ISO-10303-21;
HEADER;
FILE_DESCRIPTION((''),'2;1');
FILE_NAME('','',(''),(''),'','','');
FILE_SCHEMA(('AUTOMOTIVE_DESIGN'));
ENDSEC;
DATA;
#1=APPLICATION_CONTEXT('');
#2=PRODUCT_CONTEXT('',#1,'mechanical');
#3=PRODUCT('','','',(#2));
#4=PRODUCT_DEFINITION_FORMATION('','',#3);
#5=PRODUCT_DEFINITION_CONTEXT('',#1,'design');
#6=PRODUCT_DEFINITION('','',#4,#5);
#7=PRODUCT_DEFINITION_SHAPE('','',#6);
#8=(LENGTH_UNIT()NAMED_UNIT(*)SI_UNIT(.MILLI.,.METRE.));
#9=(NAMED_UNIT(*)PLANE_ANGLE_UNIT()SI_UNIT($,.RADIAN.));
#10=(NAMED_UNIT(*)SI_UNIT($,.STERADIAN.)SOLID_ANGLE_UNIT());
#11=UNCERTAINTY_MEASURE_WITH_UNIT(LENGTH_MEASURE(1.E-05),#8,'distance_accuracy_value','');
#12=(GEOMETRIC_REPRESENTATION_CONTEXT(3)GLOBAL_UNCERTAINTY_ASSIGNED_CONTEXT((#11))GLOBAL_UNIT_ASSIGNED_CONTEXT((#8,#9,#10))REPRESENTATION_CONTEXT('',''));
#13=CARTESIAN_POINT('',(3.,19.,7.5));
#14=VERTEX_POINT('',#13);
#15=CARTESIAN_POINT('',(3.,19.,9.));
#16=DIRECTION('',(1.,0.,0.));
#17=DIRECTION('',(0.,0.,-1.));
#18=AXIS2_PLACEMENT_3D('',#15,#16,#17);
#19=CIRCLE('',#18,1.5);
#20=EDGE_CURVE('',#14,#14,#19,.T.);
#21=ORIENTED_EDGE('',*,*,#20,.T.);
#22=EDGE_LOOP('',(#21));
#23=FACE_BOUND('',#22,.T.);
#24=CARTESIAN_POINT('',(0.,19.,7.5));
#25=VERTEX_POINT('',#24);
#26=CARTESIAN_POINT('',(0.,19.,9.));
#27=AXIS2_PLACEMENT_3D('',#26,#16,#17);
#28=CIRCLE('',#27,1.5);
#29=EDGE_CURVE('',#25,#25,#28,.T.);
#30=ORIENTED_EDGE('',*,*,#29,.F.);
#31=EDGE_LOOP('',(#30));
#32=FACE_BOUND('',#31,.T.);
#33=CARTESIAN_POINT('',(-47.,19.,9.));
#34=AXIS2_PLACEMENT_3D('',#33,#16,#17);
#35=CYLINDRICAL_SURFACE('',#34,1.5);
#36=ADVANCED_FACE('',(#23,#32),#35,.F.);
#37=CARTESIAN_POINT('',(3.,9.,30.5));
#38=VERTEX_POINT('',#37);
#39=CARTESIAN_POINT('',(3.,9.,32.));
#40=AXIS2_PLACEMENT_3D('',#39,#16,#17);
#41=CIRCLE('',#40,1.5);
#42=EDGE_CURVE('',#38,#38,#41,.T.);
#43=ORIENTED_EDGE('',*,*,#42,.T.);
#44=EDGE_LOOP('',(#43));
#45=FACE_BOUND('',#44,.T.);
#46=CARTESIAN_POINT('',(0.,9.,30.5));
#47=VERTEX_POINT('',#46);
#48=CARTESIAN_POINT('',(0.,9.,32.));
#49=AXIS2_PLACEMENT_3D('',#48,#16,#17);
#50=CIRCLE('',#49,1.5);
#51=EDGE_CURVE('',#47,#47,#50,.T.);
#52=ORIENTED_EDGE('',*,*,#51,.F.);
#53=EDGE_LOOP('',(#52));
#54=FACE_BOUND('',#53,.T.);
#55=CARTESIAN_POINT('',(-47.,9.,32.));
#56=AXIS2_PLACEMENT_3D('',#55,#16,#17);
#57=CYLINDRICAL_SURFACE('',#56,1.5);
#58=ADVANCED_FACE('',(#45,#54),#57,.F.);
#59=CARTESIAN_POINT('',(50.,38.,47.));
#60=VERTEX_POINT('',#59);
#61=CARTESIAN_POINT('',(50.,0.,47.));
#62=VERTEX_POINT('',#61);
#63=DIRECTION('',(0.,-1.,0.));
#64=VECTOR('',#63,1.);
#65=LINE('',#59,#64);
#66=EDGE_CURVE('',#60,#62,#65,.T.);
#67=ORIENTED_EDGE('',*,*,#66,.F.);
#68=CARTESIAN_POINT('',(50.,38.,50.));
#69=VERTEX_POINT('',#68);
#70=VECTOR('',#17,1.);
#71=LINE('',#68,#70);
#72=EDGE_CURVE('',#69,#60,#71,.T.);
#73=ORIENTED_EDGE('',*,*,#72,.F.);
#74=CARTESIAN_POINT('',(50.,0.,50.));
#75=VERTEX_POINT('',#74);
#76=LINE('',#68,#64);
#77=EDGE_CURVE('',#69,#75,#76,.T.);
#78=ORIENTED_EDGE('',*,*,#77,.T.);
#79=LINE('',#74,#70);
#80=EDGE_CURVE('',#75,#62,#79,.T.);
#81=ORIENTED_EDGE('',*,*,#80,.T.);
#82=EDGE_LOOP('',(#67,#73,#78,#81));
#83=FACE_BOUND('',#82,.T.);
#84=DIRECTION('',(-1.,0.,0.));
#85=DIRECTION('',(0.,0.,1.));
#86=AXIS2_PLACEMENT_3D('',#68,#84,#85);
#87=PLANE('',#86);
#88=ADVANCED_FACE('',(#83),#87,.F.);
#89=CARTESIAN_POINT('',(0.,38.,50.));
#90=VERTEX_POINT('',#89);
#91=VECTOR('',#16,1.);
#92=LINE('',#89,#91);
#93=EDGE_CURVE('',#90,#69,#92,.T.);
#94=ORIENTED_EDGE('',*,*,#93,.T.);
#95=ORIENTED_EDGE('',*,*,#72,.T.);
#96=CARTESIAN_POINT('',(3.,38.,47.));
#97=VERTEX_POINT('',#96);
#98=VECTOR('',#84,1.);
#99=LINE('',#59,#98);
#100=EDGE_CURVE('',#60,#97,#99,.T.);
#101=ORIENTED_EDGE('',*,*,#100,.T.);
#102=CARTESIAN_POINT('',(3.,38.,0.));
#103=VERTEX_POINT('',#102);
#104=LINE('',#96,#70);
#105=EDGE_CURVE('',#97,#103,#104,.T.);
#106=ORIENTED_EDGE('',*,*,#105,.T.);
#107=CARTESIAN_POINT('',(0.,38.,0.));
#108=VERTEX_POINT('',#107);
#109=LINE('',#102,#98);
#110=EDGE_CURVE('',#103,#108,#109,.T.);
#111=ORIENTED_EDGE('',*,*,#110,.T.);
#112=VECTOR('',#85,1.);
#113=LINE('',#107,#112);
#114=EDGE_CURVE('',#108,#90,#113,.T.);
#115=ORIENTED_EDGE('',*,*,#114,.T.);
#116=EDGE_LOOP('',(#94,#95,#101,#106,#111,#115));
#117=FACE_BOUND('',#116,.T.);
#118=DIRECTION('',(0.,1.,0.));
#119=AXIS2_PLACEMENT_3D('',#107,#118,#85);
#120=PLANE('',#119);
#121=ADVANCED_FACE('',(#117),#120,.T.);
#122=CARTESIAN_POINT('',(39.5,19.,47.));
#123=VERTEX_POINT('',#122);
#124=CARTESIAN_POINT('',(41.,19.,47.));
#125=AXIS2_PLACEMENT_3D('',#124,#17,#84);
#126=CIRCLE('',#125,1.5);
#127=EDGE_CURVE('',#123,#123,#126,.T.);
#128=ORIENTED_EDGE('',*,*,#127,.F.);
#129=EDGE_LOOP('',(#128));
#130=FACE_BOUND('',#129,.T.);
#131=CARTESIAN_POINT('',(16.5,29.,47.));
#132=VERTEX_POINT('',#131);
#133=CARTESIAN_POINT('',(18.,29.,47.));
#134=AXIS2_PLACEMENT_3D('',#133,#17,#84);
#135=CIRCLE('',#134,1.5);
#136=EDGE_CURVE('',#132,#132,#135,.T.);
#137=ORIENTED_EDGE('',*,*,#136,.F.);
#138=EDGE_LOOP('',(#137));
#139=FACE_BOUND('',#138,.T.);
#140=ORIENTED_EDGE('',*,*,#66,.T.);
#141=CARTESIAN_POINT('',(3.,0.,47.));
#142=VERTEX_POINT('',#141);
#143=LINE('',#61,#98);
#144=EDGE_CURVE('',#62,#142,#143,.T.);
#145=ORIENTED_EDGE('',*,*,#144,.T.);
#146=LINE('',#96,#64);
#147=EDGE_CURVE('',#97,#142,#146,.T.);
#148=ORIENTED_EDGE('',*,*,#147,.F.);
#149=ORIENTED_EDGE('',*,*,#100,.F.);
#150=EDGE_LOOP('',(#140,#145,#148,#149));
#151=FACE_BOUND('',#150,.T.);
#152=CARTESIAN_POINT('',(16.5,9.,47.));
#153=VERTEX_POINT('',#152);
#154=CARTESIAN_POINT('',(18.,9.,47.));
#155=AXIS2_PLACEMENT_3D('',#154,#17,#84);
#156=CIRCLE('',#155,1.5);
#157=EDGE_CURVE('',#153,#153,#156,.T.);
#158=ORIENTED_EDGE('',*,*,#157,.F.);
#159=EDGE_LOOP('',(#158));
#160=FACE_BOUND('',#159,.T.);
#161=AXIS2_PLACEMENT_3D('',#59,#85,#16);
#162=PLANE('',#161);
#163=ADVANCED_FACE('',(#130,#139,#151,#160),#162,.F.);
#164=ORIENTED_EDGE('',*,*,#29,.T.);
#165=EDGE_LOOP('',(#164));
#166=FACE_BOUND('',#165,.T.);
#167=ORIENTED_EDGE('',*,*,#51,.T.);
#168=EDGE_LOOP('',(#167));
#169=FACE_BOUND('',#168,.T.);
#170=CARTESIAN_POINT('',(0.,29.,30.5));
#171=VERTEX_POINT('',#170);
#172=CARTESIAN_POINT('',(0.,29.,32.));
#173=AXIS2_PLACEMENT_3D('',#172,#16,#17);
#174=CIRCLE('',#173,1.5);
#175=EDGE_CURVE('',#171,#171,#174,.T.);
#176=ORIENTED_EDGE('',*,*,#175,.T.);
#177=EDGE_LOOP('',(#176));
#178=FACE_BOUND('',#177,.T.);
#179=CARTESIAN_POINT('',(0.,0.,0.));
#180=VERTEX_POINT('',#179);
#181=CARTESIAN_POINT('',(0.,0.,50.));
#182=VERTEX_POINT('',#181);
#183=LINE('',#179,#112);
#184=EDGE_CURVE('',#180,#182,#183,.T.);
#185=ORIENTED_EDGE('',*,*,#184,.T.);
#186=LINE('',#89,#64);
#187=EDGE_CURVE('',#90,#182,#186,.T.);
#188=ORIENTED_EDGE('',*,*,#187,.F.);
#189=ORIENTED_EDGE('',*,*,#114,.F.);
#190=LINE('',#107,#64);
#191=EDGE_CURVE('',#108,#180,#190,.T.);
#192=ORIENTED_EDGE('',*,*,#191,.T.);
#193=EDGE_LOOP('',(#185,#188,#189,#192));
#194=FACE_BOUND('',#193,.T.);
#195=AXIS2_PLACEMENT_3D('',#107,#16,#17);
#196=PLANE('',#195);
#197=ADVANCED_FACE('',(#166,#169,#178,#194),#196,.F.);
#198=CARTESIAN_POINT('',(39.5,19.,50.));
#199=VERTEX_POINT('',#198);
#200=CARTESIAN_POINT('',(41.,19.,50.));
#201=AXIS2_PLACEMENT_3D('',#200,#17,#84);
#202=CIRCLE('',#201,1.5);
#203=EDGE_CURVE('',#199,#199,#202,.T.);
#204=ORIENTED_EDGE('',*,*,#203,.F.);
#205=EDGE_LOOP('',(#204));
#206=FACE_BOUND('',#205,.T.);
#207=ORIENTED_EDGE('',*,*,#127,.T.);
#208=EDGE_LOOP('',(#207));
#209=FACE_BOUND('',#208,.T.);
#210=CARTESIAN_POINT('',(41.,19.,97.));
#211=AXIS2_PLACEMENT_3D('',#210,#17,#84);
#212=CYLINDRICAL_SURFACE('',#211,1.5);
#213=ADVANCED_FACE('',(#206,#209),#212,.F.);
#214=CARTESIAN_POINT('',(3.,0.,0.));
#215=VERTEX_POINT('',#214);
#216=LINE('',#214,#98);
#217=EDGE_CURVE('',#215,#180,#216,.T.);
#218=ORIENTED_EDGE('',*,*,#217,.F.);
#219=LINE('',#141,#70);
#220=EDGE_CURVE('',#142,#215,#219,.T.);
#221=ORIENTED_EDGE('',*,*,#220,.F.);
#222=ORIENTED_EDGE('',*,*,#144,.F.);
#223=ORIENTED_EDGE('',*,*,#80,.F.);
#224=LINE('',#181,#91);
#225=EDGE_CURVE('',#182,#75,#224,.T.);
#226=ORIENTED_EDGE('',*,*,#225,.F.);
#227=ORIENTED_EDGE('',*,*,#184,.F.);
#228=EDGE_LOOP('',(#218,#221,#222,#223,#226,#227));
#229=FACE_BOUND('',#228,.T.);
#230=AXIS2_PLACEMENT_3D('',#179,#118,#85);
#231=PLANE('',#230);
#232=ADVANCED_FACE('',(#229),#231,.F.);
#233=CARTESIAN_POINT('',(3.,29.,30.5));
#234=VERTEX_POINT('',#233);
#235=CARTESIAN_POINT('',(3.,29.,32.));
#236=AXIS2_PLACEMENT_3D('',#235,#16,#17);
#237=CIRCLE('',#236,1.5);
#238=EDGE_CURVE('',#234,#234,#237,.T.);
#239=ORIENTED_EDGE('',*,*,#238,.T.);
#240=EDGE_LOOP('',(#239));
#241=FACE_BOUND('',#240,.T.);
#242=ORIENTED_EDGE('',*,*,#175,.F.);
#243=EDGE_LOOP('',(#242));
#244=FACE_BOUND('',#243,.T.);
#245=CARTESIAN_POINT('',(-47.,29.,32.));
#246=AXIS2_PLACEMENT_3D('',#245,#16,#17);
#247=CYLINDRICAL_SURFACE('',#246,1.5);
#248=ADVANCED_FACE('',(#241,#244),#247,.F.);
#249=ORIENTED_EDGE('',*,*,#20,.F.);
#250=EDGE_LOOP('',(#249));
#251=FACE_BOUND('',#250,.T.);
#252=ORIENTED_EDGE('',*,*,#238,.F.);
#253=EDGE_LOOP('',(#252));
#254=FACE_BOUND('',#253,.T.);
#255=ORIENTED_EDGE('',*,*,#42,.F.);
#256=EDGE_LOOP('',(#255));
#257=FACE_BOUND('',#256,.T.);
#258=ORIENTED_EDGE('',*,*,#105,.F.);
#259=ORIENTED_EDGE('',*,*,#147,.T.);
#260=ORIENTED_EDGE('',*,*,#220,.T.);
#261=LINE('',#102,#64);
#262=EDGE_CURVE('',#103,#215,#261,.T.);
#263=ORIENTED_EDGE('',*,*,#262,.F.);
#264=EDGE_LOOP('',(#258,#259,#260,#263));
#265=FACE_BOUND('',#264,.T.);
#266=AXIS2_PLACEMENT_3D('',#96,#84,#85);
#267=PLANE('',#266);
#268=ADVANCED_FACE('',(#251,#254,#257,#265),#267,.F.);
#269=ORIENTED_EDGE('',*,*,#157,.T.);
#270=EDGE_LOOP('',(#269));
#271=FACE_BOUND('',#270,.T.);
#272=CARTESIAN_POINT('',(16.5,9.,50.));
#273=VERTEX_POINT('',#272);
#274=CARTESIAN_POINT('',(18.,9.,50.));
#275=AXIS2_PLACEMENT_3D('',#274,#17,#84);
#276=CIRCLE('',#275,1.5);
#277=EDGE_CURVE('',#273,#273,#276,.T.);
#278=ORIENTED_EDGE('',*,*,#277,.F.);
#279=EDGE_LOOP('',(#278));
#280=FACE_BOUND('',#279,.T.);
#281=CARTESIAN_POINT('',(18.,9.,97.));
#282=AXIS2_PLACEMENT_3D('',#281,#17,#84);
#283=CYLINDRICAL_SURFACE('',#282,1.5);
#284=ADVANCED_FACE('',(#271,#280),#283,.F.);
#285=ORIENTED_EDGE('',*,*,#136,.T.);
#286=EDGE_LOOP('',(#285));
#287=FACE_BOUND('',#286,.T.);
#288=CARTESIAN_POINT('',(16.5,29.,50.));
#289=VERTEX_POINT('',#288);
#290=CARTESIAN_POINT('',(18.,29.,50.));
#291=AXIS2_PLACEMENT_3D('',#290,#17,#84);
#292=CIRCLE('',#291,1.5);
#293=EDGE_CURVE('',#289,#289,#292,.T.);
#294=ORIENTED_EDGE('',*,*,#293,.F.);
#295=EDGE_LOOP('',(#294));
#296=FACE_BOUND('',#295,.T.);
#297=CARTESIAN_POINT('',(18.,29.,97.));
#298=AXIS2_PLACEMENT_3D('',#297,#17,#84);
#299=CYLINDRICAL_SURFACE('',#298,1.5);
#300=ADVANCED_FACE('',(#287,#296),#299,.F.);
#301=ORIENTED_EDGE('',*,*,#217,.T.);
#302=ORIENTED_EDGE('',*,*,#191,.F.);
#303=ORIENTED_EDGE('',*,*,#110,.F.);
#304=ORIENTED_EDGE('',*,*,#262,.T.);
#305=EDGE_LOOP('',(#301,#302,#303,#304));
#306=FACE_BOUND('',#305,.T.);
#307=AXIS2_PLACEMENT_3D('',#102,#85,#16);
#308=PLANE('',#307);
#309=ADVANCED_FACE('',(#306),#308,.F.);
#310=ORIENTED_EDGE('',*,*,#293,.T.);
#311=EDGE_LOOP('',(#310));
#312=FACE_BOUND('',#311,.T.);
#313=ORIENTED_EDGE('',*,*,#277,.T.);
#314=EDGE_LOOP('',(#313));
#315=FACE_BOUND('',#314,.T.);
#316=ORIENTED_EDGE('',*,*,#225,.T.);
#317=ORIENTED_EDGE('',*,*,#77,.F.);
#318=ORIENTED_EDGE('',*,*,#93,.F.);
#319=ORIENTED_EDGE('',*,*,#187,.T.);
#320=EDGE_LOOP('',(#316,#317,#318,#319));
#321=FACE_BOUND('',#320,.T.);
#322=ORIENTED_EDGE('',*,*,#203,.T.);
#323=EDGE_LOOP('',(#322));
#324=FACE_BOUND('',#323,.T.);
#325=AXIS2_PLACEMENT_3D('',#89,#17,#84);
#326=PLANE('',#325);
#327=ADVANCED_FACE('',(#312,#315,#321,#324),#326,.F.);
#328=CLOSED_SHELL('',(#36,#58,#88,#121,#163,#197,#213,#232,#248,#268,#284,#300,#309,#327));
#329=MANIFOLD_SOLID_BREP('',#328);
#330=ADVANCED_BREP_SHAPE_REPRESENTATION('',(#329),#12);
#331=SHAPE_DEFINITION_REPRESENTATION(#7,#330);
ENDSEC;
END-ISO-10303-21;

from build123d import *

# Parameters (mm, degrees)
EXTRUDE_2_DEPTH     = 38
SKETCH_4_R          = 1.5
CUT_EXTRUDE_1_DEPTH = 50
SKETCH_5_R          = 1.5
CUT_EXTRUDE_2_DEPTH = 50


with BuildPart() as part:
    # 草图3 → 凸台-拉伸2 (new body)
    with BuildSketch(Plane(origin=(0, 0, 0), x_dir=(1, 0, 0), z_dir=(0, 1, 0))):
        Polygon((0, 0), (0, -50), (50, -50), (50, -47), (3, -47), (3, 0), align=None)
    extrude(amount=EXTRUDE_2_DEPTH)

    # 草图4 → 切除-拉伸1 (cut)
    with BuildSketch(Plane(origin=(3, 0, 0), x_dir=(0, 0, -1), z_dir=(1, 0, 0))):
        with Locations((-32, 29)):
            Circle(SKETCH_4_R)
        with Locations((-32, 9)):
            Circle(SKETCH_4_R)
        with Locations((-9, 19)):
            Circle(SKETCH_4_R)
    extrude(amount=-CUT_EXTRUDE_1_DEPTH, mode=Mode.SUBTRACT)

    # 草图5 → 切除-拉伸2 (cut)
    with BuildSketch(Plane(origin=(0, 0, 47), x_dir=(-1, 0, 0), z_dir=(0, 0, -1))):
        with Locations((-18, 29)):
            Circle(SKETCH_5_R)
        with Locations((-18, 9)):
            Circle(SKETCH_5_R)
        with Locations((-41, 19)):
            Circle(SKETCH_5_R)
    extrude(amount=-CUT_EXTRUDE_2_DEPTH, mode=Mode.SUBTRACT)


solid = part.part
